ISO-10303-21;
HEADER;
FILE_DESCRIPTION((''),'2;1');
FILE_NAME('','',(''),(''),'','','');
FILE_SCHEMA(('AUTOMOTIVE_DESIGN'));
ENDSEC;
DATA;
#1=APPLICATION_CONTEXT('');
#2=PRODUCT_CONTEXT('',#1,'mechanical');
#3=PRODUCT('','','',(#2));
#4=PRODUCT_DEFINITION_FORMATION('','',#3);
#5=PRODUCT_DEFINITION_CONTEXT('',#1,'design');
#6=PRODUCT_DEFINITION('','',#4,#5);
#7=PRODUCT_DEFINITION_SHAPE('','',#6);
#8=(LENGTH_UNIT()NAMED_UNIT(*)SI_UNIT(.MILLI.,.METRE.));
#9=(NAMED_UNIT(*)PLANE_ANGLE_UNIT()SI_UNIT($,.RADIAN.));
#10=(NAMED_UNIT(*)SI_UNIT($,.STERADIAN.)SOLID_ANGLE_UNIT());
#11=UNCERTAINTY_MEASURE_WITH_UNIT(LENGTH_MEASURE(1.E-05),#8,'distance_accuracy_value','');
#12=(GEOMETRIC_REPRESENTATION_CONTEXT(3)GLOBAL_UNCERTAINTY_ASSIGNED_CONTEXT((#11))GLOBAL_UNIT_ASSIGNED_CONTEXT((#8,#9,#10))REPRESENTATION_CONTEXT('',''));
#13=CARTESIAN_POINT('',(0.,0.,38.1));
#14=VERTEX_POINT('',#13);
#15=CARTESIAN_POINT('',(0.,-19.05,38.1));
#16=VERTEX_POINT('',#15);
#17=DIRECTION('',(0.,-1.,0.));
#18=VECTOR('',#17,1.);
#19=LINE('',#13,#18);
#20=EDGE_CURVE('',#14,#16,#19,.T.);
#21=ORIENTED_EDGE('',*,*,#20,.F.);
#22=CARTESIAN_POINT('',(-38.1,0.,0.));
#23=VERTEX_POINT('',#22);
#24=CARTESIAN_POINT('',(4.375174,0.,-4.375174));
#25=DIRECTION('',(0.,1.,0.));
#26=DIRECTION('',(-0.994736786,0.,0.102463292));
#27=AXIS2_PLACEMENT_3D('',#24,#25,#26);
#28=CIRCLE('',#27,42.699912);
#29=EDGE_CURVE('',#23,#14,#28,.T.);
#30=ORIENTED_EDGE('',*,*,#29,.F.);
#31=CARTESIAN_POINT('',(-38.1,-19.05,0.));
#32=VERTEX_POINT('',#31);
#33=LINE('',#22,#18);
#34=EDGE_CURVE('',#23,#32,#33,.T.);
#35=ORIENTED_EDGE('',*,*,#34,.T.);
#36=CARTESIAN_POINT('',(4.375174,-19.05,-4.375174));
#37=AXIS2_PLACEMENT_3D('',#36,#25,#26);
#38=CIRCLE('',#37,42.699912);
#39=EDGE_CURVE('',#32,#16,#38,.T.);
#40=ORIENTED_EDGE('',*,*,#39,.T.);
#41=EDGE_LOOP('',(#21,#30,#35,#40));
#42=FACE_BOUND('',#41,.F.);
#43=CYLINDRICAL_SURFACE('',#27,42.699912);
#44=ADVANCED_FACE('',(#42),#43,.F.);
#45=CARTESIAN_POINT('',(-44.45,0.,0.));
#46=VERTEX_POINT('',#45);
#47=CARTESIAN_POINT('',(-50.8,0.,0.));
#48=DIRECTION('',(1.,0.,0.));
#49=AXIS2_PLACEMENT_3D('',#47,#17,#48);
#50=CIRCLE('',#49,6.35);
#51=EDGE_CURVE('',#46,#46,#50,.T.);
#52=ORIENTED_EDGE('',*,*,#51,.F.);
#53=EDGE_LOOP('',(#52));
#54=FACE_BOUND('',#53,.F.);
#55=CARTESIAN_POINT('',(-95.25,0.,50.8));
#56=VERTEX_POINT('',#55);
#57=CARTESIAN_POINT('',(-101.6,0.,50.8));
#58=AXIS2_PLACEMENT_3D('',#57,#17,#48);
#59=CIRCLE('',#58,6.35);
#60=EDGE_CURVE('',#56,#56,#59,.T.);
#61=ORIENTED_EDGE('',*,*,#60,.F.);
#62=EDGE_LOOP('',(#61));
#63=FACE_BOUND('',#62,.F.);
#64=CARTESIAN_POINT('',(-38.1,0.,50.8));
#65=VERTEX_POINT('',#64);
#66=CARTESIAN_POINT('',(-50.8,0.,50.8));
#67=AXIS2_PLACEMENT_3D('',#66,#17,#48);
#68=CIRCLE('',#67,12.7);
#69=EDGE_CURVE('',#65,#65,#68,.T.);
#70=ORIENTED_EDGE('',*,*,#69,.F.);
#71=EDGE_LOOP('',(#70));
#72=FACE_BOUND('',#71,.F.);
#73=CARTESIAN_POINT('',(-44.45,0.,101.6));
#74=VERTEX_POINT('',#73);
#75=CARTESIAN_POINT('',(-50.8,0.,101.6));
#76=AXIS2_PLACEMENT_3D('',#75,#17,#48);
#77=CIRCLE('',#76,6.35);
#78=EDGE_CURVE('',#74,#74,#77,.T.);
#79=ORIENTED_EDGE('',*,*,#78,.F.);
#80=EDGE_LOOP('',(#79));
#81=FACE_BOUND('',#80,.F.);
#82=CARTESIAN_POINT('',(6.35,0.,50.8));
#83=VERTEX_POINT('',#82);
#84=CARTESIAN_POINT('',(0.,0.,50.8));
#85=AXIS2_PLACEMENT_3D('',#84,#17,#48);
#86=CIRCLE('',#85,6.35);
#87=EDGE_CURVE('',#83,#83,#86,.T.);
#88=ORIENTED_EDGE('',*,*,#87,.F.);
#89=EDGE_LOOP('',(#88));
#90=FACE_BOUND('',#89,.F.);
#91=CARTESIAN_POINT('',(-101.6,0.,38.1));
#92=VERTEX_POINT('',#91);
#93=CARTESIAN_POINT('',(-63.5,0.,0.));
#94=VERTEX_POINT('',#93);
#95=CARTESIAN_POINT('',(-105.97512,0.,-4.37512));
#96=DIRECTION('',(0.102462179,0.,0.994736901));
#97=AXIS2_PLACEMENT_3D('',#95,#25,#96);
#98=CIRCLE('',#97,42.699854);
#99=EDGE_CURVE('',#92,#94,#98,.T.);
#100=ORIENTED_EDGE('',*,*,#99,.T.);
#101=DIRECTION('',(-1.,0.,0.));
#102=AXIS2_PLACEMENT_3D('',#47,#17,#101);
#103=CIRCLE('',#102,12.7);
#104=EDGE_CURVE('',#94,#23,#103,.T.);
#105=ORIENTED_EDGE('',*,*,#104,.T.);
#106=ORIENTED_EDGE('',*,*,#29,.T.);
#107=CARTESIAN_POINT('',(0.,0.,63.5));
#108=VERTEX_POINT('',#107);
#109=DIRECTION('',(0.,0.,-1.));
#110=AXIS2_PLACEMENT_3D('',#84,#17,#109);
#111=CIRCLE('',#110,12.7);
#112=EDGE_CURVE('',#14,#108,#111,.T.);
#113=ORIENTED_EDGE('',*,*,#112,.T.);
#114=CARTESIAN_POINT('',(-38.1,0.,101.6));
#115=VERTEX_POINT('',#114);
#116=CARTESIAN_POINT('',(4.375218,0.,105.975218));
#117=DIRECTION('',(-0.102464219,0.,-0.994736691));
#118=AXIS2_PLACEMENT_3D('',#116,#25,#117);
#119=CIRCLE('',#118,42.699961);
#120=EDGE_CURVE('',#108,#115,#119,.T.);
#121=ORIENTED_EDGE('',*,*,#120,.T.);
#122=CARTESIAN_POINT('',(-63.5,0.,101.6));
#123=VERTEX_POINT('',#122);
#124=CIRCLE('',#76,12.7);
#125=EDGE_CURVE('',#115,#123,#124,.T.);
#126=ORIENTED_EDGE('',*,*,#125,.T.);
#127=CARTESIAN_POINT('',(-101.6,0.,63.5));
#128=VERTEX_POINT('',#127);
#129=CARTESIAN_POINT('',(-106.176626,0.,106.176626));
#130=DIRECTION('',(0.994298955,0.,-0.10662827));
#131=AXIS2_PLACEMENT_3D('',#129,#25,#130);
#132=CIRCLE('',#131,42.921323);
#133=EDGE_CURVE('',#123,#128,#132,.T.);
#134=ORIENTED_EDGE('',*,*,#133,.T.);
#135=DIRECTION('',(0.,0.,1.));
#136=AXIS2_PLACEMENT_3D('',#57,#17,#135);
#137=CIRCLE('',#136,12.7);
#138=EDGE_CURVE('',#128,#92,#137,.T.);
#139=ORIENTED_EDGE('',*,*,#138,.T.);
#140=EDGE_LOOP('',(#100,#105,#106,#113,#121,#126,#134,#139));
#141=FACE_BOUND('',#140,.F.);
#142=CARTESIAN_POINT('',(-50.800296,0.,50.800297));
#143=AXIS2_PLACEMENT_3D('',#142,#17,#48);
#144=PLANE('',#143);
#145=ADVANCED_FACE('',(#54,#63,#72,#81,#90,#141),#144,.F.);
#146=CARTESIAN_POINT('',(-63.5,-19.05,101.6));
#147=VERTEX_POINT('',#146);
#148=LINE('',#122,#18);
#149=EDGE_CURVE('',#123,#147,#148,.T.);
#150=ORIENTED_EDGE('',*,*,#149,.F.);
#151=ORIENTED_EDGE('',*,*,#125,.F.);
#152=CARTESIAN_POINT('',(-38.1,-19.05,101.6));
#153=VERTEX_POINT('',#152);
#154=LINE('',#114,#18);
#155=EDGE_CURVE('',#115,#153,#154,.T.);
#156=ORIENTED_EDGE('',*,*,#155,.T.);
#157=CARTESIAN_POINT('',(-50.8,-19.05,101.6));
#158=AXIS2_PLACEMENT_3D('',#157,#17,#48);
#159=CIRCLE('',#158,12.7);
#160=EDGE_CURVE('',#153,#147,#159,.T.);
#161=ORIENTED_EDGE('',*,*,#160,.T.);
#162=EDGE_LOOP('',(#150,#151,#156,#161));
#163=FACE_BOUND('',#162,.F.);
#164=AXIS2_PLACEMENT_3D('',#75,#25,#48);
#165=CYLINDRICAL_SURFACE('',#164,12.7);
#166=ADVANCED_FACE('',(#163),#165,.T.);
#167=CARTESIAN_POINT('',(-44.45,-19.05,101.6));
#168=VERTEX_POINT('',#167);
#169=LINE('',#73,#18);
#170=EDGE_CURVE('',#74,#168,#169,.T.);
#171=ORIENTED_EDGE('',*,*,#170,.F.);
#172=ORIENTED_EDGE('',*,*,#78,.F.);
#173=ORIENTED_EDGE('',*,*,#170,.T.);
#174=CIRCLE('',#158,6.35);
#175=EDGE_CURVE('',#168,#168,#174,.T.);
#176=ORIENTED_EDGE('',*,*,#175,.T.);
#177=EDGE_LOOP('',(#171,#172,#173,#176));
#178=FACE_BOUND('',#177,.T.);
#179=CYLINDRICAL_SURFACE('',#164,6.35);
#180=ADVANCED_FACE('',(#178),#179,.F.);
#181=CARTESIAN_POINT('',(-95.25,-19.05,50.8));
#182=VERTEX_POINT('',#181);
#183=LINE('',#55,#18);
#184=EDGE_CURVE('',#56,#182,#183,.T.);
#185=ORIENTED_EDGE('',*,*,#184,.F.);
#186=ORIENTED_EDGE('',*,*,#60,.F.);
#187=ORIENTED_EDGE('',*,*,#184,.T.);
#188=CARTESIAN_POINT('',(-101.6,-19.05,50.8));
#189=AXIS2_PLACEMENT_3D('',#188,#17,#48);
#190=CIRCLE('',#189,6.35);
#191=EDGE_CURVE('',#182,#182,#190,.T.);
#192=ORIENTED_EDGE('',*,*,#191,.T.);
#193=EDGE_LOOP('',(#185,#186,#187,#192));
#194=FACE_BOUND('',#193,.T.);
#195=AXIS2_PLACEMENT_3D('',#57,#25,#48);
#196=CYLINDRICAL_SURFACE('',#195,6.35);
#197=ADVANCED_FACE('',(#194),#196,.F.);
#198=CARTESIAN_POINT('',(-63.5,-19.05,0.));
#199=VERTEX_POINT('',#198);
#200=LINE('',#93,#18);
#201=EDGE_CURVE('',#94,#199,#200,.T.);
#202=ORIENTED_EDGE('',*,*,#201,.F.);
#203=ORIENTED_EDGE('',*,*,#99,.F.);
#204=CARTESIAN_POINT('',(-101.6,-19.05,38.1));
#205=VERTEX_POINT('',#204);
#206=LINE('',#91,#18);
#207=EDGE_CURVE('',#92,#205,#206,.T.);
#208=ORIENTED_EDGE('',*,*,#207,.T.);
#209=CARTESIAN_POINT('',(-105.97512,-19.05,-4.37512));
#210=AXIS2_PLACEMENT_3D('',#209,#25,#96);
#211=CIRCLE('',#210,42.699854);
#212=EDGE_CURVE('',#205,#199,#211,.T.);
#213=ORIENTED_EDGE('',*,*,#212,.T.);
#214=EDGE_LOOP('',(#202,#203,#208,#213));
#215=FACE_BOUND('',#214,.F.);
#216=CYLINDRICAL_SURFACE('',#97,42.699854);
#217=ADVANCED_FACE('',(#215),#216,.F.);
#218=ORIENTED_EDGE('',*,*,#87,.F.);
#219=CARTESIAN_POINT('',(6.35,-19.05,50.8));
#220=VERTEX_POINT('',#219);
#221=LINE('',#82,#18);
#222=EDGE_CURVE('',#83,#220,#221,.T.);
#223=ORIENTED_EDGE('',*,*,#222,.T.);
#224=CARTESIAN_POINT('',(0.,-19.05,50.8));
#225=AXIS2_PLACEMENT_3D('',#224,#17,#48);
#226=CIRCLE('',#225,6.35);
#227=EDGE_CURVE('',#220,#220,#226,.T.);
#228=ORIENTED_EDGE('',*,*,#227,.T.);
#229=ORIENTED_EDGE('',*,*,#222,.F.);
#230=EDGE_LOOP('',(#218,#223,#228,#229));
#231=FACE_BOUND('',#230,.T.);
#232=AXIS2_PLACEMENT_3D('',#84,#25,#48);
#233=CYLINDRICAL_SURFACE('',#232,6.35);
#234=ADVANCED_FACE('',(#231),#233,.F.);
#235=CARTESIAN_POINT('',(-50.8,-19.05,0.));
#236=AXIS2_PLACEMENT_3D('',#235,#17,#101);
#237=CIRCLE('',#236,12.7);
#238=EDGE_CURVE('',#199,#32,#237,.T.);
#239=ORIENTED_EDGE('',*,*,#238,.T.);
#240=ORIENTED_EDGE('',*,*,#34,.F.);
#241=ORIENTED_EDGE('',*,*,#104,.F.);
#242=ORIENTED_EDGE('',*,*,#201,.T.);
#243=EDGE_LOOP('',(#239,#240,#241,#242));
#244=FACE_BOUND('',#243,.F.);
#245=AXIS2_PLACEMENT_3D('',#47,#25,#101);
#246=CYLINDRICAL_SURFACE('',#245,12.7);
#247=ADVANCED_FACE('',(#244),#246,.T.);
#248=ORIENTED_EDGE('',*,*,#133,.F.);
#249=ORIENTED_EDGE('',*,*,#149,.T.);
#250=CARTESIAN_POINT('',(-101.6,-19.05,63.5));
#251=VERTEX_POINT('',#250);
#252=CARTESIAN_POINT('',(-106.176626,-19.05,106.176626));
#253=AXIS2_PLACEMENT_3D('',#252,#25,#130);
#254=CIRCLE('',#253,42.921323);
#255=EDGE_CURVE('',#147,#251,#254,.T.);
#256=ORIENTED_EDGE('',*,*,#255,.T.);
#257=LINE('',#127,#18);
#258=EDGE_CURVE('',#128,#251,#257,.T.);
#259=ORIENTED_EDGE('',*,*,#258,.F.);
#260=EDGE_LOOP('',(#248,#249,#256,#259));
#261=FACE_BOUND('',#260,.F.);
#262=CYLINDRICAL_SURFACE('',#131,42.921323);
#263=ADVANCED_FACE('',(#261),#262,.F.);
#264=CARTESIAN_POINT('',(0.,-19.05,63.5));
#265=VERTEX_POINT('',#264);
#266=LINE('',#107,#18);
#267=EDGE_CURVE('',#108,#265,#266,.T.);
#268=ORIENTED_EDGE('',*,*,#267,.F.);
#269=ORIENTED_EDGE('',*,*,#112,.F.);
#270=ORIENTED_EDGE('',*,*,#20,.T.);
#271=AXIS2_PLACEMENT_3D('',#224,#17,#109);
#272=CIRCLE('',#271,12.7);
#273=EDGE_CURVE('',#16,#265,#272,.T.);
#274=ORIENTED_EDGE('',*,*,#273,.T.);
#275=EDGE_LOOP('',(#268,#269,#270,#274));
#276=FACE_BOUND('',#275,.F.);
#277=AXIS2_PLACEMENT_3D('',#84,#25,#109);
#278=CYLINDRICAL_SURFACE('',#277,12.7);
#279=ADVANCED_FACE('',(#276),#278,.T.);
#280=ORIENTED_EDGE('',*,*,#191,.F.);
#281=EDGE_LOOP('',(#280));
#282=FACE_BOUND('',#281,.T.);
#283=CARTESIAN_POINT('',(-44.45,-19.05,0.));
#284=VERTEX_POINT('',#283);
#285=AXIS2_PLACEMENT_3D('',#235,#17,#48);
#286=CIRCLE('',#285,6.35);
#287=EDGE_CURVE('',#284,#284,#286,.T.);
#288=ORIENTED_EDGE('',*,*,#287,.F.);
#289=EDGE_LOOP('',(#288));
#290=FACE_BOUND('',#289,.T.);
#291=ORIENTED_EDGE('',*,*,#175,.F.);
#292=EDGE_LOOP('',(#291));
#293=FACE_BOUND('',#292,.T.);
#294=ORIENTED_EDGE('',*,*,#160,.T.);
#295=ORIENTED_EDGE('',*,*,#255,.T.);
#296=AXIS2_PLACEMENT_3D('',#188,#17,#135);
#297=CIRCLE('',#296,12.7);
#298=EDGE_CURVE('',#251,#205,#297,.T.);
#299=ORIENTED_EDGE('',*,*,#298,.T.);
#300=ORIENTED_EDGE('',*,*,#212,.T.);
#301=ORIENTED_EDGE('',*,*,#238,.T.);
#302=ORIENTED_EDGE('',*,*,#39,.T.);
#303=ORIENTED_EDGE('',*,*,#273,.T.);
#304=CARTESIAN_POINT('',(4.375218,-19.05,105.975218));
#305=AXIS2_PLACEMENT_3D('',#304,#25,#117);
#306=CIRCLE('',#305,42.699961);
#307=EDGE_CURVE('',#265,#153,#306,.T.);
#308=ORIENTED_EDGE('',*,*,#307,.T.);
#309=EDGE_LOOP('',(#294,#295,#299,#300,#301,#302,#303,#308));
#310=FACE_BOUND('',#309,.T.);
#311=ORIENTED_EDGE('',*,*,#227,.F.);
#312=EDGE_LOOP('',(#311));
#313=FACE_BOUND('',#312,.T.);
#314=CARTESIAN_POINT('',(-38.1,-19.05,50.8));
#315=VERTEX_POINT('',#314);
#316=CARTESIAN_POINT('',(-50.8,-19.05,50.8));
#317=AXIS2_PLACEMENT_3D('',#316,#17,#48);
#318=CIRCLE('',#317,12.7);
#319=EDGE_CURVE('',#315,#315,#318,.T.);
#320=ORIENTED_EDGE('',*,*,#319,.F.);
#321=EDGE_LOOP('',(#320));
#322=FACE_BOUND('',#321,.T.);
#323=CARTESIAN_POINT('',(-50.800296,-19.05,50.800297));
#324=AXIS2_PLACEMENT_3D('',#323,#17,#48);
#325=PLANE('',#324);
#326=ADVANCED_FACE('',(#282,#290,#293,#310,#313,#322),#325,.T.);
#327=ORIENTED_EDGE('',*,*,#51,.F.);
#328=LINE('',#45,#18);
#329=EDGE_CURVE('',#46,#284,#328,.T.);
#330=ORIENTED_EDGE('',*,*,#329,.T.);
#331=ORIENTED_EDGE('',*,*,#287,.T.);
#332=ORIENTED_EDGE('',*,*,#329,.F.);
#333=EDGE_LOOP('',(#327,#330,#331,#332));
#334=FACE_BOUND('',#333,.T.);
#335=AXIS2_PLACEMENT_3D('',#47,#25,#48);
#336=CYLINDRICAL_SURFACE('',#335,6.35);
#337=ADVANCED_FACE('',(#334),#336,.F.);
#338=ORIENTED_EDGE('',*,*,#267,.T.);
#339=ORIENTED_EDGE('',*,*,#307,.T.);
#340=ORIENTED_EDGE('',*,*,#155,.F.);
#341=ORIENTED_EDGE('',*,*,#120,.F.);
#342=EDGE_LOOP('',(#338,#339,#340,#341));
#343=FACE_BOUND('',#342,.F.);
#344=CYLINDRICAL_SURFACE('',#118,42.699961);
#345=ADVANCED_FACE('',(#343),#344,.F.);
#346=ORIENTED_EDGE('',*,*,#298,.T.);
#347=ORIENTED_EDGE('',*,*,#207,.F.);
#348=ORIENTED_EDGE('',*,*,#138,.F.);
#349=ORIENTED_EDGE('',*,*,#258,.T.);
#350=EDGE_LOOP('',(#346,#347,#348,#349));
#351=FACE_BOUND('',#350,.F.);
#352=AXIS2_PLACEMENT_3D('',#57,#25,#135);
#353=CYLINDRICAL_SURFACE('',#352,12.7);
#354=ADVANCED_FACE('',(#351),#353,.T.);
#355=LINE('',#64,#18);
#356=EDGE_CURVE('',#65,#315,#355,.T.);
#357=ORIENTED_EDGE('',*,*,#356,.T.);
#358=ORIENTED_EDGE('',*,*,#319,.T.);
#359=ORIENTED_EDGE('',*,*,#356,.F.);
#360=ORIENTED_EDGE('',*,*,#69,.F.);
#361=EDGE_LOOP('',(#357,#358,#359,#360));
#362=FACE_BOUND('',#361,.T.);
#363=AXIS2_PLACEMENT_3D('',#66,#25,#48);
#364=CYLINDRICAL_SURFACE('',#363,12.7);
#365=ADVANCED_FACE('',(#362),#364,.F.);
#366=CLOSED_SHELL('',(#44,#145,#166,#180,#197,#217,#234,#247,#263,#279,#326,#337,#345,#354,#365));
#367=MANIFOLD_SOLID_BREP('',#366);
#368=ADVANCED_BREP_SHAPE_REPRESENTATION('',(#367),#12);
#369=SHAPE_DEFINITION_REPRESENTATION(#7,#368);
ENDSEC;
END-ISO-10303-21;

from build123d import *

# Parameters (mm, degrees)
F0_R     = 6.35
F0_R_2   = 12.7
F1_DEPTH = 19.05


with BuildPart() as f1:
    # F0 (on Front) → F1 (new body)
    with BuildSketch(Plane.XZ):
        with BuildLine():
            ThreePointArc((-63.5, 101.6), (-75.826668, 75.826668), (-101.6, 63.5))
            ThreePointArc((-101.6, 63.5), (-114.3, 50.8), (-101.6, 38.1))
            ThreePointArc((-101.6, 38.1), (-75.781764, 25.818236), (-63.5, 0))
            ThreePointArc((-63.5, 0), (-50.8, -12.7), (-38.1, 0))
            ThreePointArc((-38.1, 0), (-25.818224, 25.818224), (0, 38.1))
            ThreePointArc((0, 38.1), (12.7, 50.8), (0, 63.5))
            ThreePointArc((0, 63.5), (-25.818214, 75.781786), (-38.1, 101.6))
            ThreePointArc((-38.1, 101.6), (-50.8, 114.3), (-63.5, 101.6))
        make_face()
        with Locations((-101.6, 50.8)):
            Circle(F0_R, mode=Mode.SUBTRACT)
        with Locations((-50.8, 0)):
            Circle(F0_R, mode=Mode.SUBTRACT)
        with Locations((-50.8, 50.8)):
            Circle(F0_R_2, mode=Mode.SUBTRACT)
        with Locations((0, 50.8)):
            Circle(F0_R, mode=Mode.SUBTRACT)
        with Locations((-50.8, 101.6)):
            Circle(F0_R, mode=Mode.SUBTRACT)
    extrude(amount=F1_DEPTH)


solid = f1.part
